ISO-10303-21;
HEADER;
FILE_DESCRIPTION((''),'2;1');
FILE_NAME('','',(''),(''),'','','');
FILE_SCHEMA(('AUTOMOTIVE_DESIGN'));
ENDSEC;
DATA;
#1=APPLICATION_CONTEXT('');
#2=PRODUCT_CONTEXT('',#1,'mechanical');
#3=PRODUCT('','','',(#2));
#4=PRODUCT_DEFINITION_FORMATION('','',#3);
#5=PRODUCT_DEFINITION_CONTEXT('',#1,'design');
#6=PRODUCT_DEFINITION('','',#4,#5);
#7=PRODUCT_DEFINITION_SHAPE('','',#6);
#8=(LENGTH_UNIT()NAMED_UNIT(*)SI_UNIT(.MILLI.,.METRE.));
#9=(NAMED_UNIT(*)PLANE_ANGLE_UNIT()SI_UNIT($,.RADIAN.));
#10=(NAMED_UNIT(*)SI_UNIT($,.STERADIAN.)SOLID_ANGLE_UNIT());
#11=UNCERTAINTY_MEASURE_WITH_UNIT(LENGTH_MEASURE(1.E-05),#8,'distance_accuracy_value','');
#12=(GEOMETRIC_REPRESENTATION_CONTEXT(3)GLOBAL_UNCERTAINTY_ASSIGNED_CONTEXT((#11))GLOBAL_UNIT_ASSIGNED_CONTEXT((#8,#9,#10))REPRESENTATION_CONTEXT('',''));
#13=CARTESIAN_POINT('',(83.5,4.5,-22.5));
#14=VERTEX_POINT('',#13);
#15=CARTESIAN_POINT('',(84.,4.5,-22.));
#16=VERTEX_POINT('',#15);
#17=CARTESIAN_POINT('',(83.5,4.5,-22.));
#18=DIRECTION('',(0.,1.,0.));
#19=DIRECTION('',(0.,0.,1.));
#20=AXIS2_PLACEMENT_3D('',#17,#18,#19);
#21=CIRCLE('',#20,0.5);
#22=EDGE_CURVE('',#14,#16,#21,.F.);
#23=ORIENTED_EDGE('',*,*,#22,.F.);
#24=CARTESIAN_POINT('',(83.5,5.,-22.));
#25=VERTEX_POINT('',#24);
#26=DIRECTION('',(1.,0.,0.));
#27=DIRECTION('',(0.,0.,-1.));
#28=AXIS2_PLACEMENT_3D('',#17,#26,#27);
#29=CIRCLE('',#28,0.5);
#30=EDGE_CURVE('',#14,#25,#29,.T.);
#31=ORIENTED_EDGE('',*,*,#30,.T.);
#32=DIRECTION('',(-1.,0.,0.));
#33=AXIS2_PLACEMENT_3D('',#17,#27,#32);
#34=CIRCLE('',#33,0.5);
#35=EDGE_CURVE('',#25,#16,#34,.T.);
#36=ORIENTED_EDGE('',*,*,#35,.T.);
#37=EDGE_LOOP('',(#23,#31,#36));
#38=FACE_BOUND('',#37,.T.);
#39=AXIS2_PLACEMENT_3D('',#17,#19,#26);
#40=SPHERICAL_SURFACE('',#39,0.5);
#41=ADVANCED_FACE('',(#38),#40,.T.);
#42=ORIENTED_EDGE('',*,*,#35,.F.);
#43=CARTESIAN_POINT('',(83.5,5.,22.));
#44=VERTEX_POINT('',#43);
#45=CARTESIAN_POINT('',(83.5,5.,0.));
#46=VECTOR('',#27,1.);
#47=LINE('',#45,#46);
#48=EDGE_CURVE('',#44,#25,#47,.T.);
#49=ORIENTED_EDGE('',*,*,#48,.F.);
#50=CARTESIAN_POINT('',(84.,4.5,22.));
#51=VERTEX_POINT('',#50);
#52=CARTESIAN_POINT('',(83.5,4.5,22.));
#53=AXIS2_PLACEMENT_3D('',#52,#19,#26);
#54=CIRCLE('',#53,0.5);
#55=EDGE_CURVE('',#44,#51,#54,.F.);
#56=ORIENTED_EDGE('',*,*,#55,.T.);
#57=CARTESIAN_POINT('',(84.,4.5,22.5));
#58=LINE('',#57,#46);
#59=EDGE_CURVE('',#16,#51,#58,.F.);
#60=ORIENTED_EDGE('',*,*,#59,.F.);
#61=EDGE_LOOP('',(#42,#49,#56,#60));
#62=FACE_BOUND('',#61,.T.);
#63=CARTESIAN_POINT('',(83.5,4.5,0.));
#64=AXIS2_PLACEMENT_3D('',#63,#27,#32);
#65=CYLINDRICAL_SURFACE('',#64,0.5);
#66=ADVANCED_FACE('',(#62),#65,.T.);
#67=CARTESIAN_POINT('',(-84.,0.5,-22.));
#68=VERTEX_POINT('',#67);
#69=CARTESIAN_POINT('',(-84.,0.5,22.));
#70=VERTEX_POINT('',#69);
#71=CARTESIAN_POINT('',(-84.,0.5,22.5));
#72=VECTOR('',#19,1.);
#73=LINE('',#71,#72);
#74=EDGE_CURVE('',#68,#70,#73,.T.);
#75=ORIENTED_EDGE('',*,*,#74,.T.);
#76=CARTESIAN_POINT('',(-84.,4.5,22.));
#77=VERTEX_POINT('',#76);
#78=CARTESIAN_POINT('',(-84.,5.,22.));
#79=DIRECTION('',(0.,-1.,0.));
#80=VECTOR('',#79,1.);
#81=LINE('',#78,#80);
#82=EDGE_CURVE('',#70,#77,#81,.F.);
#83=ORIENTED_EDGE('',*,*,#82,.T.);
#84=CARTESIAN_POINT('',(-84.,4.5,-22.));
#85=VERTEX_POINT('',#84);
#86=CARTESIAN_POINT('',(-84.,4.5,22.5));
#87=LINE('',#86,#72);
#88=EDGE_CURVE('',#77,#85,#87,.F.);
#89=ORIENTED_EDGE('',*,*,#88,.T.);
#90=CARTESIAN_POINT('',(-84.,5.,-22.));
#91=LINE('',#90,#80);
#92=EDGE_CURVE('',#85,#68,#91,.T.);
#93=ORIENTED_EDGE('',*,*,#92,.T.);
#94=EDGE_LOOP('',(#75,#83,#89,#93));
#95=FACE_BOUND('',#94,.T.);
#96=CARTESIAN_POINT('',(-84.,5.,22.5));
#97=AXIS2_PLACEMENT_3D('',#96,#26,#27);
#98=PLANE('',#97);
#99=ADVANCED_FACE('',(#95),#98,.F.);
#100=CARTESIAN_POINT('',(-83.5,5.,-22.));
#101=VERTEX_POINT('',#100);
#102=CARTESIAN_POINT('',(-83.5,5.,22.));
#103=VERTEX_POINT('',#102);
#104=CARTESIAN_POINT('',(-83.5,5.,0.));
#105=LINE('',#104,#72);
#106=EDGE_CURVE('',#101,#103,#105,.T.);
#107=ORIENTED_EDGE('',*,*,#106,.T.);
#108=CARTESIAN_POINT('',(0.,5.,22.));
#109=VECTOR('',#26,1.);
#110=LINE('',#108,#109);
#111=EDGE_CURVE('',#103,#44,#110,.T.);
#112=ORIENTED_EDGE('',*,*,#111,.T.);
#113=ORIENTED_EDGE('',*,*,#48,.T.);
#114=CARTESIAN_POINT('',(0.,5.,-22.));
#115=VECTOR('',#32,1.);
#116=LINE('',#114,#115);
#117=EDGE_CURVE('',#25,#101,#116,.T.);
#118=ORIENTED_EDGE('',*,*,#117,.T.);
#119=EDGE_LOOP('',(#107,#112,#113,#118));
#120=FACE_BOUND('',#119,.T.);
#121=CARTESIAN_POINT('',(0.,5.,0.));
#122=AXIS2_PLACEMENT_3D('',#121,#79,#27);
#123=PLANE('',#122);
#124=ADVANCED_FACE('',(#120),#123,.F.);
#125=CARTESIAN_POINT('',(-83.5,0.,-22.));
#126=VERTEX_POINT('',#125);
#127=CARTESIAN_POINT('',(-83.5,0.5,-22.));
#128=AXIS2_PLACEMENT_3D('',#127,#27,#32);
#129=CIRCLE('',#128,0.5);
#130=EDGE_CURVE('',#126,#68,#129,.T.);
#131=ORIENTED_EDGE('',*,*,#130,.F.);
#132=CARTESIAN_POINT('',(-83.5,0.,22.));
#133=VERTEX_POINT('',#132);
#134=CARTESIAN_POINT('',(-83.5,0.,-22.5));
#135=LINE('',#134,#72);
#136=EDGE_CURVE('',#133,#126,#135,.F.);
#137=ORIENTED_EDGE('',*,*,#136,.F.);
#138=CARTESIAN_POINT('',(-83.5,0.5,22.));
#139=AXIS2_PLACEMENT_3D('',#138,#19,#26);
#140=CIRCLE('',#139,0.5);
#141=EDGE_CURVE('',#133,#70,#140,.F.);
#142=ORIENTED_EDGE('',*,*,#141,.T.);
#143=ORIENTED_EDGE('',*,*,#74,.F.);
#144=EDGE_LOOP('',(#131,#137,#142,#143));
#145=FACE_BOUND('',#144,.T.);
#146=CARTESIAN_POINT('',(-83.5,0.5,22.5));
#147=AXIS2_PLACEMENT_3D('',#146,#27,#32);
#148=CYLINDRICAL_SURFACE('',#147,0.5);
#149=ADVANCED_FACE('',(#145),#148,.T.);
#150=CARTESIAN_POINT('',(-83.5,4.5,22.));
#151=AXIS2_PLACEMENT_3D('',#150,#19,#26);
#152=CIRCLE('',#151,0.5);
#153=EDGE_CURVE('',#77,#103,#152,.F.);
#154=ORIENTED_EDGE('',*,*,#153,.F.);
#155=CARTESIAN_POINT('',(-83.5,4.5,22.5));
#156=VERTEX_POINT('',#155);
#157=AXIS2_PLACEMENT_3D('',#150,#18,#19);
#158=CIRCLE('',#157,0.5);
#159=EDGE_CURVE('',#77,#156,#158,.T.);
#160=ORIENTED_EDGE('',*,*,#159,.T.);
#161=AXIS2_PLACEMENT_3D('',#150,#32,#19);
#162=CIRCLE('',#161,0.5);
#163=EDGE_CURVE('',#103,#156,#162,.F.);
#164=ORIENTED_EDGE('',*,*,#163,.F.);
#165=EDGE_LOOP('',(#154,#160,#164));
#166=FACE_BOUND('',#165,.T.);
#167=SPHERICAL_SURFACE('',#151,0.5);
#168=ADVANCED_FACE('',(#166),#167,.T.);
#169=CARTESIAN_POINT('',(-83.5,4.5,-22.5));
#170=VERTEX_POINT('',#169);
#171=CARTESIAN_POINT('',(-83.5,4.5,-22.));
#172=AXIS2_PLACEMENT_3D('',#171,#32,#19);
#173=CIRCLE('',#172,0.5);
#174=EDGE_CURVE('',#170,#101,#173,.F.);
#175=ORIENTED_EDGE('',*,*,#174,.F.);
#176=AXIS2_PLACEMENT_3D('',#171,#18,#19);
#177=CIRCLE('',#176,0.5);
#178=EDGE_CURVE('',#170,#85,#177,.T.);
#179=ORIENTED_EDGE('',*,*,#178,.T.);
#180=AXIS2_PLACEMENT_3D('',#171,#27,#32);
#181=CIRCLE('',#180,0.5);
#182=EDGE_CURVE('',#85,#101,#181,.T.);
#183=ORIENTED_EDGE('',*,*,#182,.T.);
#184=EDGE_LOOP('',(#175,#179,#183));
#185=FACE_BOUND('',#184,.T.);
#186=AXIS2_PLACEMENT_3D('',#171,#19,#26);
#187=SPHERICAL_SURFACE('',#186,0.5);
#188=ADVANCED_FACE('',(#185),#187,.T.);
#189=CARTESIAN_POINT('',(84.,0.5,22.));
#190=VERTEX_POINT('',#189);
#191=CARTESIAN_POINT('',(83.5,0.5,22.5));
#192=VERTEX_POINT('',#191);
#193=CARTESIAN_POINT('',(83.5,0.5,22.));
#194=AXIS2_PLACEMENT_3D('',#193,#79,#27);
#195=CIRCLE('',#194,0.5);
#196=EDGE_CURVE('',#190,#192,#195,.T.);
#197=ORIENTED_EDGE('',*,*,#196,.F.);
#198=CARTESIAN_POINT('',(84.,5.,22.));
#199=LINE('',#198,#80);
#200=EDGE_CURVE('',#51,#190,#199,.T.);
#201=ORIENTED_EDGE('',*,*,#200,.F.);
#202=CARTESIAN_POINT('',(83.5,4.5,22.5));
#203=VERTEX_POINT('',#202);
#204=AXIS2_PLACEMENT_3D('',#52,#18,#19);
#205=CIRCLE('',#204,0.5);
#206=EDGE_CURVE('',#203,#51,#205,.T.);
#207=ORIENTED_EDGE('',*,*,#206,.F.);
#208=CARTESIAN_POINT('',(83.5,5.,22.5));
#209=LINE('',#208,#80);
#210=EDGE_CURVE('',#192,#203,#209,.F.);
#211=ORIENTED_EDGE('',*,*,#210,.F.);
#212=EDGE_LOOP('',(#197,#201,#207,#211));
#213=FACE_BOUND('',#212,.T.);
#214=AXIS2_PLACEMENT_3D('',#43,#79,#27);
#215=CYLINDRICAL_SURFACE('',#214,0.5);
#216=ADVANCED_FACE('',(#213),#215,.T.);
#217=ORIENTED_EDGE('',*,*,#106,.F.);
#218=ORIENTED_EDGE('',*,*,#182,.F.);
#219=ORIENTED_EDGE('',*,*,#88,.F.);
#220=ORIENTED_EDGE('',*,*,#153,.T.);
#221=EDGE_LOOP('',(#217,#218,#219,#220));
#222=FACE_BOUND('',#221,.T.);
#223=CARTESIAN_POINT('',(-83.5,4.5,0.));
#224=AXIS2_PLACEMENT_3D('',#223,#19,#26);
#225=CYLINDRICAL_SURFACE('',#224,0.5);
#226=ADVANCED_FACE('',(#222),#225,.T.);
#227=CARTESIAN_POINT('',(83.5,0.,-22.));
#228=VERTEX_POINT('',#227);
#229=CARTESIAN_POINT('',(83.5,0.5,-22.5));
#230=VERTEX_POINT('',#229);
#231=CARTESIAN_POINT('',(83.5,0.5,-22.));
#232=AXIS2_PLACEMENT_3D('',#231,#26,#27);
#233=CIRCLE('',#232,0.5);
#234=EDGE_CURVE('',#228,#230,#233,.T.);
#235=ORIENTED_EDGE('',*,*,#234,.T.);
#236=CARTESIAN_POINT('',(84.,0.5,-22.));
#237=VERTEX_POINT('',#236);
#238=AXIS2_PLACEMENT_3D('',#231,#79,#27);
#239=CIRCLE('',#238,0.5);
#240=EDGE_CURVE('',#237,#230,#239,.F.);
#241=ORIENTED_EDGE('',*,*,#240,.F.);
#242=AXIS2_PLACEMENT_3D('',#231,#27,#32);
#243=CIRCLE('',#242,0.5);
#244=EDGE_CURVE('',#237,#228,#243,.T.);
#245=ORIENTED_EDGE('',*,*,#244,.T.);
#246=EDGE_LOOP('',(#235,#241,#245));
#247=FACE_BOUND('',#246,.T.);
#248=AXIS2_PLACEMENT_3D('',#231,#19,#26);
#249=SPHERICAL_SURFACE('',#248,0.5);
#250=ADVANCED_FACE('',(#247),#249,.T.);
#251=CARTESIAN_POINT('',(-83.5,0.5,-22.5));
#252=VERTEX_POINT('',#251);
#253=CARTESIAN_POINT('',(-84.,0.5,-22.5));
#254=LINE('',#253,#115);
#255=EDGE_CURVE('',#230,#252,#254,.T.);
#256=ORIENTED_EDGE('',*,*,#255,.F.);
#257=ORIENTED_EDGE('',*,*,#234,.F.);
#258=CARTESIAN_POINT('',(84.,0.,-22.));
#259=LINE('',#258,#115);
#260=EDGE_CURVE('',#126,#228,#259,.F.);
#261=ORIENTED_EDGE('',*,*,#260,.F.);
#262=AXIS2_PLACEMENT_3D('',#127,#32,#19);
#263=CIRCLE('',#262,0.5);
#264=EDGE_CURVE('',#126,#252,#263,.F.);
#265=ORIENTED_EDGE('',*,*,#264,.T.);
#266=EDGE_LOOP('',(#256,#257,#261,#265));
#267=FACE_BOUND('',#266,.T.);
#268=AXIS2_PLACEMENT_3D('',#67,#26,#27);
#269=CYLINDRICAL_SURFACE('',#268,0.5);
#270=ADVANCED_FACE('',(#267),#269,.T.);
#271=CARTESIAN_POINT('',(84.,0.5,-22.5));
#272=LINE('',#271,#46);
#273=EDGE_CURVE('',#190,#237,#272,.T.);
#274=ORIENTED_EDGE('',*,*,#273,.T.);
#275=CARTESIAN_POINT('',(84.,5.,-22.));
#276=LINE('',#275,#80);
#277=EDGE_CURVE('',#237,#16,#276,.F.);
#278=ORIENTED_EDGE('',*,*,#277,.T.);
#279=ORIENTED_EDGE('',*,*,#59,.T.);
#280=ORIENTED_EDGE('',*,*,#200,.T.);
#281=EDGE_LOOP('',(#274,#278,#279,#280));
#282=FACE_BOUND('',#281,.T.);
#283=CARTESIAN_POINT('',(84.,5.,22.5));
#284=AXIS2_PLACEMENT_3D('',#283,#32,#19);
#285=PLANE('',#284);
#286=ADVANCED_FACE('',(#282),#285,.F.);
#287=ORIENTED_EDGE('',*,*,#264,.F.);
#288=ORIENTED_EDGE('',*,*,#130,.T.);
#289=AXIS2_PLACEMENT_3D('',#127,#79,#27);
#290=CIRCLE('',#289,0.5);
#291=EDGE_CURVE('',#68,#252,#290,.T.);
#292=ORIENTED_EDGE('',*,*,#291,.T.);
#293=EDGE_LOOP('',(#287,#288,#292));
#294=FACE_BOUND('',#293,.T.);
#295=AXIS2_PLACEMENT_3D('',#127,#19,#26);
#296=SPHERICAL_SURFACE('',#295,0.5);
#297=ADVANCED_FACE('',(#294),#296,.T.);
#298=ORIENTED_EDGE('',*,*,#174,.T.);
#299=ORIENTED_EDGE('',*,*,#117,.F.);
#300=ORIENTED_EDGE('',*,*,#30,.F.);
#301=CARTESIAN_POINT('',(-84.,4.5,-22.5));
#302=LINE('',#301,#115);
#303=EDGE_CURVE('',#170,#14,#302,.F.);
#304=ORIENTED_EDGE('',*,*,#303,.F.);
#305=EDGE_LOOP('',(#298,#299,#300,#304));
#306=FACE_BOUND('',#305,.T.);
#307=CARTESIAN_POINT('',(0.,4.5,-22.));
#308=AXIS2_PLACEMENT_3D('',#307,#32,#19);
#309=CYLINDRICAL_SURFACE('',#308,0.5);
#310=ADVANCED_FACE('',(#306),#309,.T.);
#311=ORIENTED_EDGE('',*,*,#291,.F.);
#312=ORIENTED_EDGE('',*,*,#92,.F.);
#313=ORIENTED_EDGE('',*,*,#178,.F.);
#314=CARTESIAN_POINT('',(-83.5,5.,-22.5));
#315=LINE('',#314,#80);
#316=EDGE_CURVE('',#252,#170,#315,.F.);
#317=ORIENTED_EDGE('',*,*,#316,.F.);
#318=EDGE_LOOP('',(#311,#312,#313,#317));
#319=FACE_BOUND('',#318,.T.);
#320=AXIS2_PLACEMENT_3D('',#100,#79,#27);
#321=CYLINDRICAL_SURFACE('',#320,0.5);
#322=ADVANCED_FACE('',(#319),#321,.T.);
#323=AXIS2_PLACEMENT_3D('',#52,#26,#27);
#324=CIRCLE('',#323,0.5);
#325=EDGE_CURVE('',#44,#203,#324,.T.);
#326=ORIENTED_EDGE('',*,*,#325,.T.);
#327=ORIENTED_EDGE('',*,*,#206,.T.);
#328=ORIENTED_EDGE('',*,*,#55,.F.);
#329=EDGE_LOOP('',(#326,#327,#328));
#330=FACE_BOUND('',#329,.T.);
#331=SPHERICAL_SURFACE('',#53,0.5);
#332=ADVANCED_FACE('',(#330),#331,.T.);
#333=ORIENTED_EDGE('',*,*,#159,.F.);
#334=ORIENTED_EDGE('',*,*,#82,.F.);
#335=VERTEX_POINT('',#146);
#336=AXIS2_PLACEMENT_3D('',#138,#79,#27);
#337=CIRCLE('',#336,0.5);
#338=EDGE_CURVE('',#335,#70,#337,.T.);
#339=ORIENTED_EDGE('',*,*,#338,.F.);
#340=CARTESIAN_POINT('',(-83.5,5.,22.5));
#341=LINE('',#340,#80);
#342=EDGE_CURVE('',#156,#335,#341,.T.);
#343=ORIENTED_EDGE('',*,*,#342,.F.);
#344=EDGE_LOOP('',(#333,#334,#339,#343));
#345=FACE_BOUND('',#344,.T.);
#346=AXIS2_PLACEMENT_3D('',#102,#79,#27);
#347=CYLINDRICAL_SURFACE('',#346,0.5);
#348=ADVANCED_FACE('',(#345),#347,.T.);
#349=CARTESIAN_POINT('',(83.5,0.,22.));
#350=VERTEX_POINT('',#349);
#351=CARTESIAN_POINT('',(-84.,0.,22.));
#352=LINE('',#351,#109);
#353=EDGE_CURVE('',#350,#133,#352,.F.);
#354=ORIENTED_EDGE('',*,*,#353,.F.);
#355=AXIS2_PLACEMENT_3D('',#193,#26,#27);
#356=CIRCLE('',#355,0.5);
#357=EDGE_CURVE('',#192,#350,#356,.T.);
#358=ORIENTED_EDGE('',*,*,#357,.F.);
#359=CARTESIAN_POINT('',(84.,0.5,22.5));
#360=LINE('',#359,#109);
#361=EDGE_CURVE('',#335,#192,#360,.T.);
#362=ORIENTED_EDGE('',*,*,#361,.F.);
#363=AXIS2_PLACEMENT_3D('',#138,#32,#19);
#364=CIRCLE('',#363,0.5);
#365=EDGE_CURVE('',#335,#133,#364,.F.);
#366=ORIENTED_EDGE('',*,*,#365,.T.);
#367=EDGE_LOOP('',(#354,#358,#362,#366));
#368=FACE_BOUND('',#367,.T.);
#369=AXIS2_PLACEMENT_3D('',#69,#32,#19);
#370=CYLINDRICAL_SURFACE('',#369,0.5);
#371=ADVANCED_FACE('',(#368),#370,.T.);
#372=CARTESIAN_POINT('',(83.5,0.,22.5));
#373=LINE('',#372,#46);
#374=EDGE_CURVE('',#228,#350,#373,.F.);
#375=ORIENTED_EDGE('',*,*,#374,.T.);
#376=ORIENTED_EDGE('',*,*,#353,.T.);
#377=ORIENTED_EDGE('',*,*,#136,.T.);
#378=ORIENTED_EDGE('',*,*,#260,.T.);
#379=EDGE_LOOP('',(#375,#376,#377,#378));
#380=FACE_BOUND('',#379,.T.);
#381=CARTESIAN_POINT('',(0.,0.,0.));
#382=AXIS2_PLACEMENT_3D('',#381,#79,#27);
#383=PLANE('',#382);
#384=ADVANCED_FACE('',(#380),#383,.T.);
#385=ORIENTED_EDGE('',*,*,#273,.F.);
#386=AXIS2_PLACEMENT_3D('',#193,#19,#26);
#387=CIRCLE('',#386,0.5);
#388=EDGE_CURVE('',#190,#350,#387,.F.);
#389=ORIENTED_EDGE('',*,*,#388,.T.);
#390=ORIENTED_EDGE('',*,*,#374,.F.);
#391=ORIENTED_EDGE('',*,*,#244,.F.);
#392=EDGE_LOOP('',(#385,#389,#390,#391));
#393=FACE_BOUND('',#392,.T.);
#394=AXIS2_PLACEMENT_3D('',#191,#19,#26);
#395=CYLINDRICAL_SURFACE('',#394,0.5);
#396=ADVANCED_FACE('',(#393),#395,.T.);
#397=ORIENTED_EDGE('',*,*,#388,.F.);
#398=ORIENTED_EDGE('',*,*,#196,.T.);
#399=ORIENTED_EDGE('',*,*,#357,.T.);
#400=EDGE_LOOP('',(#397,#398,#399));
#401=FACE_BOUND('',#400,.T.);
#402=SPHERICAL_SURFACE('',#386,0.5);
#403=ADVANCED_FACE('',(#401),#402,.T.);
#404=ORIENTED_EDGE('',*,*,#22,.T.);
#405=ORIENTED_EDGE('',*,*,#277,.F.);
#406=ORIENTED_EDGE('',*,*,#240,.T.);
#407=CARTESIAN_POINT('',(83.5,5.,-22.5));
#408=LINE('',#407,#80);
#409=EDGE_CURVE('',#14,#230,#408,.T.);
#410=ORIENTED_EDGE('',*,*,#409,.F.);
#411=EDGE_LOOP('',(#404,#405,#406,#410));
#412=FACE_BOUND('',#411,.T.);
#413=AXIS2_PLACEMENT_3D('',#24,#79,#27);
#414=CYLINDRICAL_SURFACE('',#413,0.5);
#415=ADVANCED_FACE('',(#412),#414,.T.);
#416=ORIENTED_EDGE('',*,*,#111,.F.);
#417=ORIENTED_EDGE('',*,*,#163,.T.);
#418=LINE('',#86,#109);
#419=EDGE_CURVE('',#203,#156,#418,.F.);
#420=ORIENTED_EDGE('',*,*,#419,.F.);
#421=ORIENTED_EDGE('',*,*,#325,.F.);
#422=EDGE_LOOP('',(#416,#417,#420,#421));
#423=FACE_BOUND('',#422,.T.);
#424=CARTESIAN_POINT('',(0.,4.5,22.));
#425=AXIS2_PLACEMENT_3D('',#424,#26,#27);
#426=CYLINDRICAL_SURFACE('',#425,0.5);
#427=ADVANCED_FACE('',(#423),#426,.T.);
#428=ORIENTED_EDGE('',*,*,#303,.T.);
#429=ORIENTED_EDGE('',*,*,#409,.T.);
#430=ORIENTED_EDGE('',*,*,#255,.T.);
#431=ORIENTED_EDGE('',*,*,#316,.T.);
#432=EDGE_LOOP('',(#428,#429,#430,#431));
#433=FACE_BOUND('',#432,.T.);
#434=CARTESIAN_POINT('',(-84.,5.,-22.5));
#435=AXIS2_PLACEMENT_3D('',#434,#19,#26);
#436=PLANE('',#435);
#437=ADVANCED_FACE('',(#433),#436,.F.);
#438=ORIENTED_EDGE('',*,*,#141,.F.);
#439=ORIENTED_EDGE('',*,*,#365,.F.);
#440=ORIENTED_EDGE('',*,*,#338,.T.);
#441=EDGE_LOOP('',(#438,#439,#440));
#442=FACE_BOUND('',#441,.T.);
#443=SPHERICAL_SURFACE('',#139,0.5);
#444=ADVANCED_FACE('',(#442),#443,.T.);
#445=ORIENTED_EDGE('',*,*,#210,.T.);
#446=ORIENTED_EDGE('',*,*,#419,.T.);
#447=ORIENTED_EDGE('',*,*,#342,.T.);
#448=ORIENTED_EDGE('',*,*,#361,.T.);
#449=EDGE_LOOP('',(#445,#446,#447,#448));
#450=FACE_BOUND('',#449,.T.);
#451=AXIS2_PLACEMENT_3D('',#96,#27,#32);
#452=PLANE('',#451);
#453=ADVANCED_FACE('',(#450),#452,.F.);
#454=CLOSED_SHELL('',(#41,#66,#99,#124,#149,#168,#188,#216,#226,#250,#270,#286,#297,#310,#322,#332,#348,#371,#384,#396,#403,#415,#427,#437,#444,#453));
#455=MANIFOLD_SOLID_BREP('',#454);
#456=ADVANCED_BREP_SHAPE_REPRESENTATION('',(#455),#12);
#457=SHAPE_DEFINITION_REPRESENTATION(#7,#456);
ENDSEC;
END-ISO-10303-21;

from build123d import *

# Parameters (mm, degrees)
ESBO_O1_W                = 168
ESBO_O1_H                = 45
RESSALTO_EXTRUS_O1_DEPTH = 5
FILETE1_R                = 0.5


with BuildPart() as part:
    # Esboço1 → Ressalto-extrusão1 (new body)
    with BuildSketch(Plane(origin=(0, 0, 0), x_dir=(1, 0, 0), z_dir=(0, 1, 0))):
        Rectangle(ESBO_O1_W, ESBO_O1_H)
    extrude(amount=RESSALTO_EXTRUS_O1_DEPTH)

    # Filete1
    filete1_edges = [part.edges().sort_by_distance(p)[0] for p in [
        (-84, 5, 0),
        (0, 5, 22.5),
        (84, 5, 0),
        (0, 0, 22.5),
        (-84, 0, 0),
        (0, 0, -22.5),
        (84, 0, 0),
        (0, 5, -22.5),
        (84, 2.5, 22.5),
        (-84, 2.5, 22.5),
        (-84, 2.5, -22.5),
        (84, 2.5, -22.5),
    ]]
    fillet(filete1_edges, radius=FILETE1_R)


solid = part.part
